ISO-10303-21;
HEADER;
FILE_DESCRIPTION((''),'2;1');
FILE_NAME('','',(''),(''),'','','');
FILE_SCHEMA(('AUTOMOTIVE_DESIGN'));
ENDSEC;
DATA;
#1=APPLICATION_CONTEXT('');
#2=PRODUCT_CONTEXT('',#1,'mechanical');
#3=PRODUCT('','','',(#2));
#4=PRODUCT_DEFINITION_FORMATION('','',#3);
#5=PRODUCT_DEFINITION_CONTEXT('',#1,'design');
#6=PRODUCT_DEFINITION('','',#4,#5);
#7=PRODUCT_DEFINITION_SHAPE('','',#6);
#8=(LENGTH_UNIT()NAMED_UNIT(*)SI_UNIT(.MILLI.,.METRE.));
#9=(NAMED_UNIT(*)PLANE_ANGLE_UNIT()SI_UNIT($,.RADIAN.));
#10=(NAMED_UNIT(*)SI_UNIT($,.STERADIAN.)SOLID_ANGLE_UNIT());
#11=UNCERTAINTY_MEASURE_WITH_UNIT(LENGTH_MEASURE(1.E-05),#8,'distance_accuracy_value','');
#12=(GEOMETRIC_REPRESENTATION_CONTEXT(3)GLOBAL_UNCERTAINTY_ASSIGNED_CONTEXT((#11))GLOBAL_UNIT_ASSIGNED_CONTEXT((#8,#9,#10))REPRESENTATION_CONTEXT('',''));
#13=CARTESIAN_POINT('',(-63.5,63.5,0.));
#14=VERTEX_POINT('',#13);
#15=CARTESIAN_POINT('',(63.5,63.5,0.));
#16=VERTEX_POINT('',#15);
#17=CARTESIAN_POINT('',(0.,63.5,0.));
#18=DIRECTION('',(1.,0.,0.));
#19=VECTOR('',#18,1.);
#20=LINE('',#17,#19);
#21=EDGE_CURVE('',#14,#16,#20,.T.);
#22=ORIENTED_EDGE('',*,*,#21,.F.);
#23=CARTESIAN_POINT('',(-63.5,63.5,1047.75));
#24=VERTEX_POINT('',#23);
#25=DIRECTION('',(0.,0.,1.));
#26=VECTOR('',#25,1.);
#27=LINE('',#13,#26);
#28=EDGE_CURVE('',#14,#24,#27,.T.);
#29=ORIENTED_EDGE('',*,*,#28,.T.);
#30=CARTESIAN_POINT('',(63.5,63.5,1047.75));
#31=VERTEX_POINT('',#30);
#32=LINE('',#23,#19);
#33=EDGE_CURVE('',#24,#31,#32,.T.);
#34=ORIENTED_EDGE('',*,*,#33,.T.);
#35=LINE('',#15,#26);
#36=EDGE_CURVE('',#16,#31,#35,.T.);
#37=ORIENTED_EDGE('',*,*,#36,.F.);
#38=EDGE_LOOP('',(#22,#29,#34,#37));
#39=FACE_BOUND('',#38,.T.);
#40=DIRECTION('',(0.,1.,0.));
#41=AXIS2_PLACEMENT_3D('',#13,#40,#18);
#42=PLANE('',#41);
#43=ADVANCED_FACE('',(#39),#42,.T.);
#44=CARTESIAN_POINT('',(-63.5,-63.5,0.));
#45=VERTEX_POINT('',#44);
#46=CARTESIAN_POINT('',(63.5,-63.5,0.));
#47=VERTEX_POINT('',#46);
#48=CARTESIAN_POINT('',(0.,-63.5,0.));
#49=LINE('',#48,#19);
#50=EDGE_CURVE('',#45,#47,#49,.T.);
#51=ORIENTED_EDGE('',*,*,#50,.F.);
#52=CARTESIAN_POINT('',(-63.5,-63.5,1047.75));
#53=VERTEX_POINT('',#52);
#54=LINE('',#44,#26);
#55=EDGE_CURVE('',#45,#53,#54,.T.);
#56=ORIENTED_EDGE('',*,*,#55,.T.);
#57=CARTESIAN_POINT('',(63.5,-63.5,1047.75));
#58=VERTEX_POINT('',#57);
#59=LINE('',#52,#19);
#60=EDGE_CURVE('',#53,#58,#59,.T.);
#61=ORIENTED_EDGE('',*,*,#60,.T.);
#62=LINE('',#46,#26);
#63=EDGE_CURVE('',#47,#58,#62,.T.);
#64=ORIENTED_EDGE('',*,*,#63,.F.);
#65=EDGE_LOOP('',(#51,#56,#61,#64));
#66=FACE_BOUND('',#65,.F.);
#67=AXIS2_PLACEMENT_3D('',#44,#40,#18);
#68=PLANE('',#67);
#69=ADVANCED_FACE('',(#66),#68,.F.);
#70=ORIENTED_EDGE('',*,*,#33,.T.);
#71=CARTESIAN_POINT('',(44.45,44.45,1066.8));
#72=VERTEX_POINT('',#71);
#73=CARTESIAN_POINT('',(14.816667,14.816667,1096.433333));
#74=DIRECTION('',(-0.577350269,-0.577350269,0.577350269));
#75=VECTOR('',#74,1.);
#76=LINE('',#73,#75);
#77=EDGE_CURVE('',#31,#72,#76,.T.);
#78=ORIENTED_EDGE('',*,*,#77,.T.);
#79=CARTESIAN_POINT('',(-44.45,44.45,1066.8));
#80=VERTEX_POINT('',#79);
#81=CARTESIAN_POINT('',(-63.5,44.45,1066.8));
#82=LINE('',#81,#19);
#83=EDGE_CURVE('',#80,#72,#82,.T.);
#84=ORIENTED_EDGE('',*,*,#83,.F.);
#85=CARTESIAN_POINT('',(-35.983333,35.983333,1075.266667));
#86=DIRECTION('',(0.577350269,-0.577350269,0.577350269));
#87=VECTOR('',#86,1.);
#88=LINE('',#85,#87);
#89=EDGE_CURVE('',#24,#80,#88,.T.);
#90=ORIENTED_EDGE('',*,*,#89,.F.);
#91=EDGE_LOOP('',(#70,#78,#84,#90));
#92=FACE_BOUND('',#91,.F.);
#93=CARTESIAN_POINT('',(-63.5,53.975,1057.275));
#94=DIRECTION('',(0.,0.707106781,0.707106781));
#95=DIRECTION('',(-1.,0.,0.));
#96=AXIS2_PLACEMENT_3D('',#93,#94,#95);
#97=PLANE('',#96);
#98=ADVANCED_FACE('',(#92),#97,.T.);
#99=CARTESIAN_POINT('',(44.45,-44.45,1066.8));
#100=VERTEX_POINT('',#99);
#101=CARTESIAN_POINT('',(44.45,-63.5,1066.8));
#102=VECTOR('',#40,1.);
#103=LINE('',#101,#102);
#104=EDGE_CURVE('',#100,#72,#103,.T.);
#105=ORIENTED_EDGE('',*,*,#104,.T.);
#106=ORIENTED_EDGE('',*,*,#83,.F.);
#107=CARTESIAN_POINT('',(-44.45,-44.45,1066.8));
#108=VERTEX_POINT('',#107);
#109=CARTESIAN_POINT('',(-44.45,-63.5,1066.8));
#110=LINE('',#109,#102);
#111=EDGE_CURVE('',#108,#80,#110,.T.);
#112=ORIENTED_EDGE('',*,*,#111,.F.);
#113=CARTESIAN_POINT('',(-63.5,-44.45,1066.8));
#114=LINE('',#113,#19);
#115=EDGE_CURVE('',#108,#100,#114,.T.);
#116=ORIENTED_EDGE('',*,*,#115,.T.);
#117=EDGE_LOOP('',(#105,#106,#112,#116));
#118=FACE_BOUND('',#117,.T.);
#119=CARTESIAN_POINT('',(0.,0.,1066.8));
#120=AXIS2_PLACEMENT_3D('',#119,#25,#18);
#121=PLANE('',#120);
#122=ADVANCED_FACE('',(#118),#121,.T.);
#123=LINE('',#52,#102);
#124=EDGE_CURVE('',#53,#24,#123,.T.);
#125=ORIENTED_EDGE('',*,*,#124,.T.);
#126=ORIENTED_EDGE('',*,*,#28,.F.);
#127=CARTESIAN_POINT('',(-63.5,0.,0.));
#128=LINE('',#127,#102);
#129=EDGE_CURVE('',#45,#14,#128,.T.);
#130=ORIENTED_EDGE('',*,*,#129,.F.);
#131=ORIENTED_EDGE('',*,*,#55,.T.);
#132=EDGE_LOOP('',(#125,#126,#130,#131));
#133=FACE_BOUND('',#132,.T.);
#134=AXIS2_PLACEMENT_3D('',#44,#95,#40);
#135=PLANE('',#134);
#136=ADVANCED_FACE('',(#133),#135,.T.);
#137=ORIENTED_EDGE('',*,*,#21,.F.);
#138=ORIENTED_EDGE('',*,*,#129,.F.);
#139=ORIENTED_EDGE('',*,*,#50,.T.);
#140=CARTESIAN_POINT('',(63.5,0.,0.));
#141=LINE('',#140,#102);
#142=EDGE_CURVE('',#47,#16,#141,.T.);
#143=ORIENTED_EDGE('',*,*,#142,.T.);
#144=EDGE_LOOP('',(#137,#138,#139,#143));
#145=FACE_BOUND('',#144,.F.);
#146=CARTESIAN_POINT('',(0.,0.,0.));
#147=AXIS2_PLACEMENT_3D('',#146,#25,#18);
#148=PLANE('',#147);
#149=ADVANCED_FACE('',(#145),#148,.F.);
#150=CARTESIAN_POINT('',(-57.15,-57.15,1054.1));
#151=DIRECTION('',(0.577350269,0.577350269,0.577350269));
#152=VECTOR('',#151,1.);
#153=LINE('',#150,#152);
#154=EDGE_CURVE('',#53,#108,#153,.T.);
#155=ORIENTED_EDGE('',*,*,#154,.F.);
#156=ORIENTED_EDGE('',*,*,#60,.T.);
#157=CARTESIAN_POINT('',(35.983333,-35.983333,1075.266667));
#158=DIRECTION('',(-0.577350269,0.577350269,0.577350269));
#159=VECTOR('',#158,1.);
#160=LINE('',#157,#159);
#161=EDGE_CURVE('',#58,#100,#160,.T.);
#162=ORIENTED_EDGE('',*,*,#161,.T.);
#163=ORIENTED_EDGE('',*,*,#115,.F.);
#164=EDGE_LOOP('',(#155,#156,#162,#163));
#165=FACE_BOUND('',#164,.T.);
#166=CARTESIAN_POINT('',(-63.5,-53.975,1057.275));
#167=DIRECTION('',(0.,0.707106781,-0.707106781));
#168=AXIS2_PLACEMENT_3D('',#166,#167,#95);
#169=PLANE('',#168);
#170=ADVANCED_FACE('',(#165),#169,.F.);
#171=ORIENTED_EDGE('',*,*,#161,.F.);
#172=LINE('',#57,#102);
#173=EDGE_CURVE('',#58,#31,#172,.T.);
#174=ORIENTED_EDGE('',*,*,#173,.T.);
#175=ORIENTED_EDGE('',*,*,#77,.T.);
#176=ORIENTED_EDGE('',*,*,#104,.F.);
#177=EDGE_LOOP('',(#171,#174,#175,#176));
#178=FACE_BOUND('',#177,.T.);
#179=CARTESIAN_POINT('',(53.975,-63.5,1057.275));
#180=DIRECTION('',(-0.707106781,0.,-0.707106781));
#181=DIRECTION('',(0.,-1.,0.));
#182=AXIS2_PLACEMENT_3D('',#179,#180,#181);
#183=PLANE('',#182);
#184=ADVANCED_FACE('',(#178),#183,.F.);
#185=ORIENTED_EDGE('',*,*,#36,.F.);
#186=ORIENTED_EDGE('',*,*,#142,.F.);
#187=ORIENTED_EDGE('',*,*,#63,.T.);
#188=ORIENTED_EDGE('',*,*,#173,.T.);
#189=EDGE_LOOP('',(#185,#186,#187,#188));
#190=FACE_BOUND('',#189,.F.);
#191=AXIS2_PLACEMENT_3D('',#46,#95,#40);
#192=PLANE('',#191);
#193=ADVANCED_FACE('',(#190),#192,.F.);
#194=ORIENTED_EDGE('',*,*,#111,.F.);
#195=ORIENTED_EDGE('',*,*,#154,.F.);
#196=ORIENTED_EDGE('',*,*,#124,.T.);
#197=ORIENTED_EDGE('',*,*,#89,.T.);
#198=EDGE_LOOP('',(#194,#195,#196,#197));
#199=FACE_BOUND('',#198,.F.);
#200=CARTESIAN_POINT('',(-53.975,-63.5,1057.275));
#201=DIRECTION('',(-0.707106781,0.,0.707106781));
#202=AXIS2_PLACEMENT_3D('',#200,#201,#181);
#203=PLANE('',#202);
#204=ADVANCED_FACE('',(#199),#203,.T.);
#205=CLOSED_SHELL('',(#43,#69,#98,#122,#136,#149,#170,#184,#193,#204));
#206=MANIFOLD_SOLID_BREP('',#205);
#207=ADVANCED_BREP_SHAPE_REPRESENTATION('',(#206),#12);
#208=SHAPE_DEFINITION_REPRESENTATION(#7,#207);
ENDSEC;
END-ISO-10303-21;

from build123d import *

# Parameters (mm, degrees)
F0_W     = 127
F0_H     = 127
F1_DEPTH = 1066.8
F2_SIZE  = 19.05


with BuildPart() as f1:
    # F0 (on Top) → F1 (new body)
    with BuildSketch(Plane.XY):
        Rectangle(F0_W, F0_H)
    extrude(amount=F1_DEPTH)

    # F2
    f2_edges = [f1.edges().sort_by_distance(p)[0] for p in [
        (0, -63.5, 1066.8),
        (-63.5, 0, 1066.8),
        (0, 63.5, 1066.8),
        (63.5, 0, 1066.8),
    ]]
    chamfer(f2_edges, length=F2_SIZE)


solid = f1.part
